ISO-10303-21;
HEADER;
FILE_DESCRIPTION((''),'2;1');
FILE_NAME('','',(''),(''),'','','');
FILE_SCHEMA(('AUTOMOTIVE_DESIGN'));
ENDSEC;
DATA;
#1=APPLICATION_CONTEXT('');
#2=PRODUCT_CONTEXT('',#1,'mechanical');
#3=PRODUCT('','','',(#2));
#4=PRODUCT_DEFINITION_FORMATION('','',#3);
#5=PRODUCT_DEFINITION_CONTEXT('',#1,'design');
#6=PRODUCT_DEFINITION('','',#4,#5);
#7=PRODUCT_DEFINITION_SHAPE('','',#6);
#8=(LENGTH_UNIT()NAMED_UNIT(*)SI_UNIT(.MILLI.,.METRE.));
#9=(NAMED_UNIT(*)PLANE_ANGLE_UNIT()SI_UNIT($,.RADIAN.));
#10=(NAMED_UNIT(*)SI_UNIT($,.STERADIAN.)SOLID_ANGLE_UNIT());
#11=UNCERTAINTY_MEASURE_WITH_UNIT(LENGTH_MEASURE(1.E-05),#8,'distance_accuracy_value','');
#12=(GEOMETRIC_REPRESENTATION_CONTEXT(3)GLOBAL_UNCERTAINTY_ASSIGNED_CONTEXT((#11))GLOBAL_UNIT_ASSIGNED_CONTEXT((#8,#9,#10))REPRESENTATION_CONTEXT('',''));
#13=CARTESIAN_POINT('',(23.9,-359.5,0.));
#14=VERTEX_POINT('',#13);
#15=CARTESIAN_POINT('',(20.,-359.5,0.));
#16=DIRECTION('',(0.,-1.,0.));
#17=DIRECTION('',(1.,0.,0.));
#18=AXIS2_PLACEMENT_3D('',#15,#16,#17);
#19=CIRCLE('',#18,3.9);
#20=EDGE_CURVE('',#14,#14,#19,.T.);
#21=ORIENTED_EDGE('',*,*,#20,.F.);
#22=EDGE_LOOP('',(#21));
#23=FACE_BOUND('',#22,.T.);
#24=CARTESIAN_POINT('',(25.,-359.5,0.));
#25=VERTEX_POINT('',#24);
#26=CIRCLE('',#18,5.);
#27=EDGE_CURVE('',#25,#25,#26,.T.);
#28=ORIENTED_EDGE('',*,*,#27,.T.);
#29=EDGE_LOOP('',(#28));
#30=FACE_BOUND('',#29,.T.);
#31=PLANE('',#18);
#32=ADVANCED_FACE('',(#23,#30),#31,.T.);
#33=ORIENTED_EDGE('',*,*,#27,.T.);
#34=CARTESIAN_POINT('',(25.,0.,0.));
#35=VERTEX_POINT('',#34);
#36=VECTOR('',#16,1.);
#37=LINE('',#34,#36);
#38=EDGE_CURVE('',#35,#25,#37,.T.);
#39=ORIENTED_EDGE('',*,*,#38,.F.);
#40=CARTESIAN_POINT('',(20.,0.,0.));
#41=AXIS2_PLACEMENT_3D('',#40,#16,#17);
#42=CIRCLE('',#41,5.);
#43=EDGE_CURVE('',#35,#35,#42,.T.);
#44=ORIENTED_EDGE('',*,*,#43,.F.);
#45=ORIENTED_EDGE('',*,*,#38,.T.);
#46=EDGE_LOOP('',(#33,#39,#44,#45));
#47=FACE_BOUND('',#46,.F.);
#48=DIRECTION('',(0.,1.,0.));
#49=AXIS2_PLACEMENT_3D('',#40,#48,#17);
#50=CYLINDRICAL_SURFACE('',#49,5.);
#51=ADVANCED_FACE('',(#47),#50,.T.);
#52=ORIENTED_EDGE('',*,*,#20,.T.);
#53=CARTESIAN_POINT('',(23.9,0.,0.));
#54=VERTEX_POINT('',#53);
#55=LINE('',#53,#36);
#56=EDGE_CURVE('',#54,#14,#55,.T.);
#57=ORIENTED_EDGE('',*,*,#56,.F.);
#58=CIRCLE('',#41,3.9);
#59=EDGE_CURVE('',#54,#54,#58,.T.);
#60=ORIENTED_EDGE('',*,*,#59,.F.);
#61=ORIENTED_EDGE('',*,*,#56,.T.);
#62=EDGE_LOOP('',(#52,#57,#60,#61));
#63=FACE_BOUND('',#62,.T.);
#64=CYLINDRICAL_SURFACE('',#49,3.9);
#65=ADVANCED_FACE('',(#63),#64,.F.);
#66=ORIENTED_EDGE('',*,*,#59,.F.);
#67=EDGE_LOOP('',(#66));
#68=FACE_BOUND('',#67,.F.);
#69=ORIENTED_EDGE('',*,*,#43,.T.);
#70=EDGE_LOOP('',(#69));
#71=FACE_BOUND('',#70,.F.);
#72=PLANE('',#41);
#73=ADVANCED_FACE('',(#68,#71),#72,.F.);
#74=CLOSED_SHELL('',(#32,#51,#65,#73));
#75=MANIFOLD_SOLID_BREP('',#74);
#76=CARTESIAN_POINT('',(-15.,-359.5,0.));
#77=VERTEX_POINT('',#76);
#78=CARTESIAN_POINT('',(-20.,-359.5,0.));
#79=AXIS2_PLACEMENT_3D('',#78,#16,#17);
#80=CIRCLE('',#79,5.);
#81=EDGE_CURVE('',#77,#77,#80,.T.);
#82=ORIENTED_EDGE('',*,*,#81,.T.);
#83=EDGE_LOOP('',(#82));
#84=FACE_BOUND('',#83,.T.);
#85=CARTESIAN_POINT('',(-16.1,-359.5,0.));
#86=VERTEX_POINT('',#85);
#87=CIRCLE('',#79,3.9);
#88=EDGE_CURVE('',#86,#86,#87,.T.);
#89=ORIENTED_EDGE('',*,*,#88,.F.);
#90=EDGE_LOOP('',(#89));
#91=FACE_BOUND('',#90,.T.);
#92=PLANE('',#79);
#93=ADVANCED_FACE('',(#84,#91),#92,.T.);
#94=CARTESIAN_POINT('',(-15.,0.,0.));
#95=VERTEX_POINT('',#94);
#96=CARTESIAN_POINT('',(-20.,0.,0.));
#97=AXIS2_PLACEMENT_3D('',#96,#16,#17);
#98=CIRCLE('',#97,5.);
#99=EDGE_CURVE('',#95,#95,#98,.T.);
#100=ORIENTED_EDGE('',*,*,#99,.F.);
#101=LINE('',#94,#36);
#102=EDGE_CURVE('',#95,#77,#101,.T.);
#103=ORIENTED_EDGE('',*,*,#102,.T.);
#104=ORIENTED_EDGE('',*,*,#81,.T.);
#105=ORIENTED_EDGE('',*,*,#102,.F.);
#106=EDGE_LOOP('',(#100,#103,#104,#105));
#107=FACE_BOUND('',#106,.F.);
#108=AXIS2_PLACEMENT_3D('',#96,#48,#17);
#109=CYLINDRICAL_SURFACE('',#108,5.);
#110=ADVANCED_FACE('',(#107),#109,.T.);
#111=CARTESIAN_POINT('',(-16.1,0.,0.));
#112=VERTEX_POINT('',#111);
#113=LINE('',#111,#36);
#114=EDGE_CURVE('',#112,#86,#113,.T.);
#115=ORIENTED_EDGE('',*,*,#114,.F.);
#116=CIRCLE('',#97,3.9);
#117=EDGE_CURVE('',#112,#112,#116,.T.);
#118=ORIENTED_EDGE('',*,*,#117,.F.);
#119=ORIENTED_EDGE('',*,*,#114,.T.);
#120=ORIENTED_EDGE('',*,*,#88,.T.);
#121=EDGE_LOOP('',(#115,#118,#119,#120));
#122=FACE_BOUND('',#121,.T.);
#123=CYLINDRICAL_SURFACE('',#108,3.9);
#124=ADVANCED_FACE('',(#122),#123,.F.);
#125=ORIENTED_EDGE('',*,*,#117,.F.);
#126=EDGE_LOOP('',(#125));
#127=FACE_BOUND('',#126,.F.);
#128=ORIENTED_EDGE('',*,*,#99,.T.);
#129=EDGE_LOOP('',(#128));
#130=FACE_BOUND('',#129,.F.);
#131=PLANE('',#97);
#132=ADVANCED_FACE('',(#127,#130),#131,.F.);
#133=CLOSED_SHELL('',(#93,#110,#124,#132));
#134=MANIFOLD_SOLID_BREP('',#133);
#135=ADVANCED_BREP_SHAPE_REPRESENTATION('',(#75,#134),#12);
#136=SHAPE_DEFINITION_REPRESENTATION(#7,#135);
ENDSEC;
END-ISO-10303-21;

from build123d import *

# Parameters (mm, degrees)
F0_R     = 5
F0_R_2   = 3.9
F1_DEPTH = 359.5


with BuildPart() as f1:
    # F0 (on Front) → F1 (new body)
    with BuildSketch(Plane.XZ):
        with Locations((-20, 0)):
            Circle(F0_R)
        with Locations((-20, 0)):
            Circle(F0_R_2, mode=Mode.SUBTRACT)
        with Locations((20, 0)):
            Circle(F0_R)
        with Locations((20, 0)):
            Circle(F0_R_2, mode=Mode.SUBTRACT)
    extrude(amount=F1_DEPTH)


solid = f1.part
